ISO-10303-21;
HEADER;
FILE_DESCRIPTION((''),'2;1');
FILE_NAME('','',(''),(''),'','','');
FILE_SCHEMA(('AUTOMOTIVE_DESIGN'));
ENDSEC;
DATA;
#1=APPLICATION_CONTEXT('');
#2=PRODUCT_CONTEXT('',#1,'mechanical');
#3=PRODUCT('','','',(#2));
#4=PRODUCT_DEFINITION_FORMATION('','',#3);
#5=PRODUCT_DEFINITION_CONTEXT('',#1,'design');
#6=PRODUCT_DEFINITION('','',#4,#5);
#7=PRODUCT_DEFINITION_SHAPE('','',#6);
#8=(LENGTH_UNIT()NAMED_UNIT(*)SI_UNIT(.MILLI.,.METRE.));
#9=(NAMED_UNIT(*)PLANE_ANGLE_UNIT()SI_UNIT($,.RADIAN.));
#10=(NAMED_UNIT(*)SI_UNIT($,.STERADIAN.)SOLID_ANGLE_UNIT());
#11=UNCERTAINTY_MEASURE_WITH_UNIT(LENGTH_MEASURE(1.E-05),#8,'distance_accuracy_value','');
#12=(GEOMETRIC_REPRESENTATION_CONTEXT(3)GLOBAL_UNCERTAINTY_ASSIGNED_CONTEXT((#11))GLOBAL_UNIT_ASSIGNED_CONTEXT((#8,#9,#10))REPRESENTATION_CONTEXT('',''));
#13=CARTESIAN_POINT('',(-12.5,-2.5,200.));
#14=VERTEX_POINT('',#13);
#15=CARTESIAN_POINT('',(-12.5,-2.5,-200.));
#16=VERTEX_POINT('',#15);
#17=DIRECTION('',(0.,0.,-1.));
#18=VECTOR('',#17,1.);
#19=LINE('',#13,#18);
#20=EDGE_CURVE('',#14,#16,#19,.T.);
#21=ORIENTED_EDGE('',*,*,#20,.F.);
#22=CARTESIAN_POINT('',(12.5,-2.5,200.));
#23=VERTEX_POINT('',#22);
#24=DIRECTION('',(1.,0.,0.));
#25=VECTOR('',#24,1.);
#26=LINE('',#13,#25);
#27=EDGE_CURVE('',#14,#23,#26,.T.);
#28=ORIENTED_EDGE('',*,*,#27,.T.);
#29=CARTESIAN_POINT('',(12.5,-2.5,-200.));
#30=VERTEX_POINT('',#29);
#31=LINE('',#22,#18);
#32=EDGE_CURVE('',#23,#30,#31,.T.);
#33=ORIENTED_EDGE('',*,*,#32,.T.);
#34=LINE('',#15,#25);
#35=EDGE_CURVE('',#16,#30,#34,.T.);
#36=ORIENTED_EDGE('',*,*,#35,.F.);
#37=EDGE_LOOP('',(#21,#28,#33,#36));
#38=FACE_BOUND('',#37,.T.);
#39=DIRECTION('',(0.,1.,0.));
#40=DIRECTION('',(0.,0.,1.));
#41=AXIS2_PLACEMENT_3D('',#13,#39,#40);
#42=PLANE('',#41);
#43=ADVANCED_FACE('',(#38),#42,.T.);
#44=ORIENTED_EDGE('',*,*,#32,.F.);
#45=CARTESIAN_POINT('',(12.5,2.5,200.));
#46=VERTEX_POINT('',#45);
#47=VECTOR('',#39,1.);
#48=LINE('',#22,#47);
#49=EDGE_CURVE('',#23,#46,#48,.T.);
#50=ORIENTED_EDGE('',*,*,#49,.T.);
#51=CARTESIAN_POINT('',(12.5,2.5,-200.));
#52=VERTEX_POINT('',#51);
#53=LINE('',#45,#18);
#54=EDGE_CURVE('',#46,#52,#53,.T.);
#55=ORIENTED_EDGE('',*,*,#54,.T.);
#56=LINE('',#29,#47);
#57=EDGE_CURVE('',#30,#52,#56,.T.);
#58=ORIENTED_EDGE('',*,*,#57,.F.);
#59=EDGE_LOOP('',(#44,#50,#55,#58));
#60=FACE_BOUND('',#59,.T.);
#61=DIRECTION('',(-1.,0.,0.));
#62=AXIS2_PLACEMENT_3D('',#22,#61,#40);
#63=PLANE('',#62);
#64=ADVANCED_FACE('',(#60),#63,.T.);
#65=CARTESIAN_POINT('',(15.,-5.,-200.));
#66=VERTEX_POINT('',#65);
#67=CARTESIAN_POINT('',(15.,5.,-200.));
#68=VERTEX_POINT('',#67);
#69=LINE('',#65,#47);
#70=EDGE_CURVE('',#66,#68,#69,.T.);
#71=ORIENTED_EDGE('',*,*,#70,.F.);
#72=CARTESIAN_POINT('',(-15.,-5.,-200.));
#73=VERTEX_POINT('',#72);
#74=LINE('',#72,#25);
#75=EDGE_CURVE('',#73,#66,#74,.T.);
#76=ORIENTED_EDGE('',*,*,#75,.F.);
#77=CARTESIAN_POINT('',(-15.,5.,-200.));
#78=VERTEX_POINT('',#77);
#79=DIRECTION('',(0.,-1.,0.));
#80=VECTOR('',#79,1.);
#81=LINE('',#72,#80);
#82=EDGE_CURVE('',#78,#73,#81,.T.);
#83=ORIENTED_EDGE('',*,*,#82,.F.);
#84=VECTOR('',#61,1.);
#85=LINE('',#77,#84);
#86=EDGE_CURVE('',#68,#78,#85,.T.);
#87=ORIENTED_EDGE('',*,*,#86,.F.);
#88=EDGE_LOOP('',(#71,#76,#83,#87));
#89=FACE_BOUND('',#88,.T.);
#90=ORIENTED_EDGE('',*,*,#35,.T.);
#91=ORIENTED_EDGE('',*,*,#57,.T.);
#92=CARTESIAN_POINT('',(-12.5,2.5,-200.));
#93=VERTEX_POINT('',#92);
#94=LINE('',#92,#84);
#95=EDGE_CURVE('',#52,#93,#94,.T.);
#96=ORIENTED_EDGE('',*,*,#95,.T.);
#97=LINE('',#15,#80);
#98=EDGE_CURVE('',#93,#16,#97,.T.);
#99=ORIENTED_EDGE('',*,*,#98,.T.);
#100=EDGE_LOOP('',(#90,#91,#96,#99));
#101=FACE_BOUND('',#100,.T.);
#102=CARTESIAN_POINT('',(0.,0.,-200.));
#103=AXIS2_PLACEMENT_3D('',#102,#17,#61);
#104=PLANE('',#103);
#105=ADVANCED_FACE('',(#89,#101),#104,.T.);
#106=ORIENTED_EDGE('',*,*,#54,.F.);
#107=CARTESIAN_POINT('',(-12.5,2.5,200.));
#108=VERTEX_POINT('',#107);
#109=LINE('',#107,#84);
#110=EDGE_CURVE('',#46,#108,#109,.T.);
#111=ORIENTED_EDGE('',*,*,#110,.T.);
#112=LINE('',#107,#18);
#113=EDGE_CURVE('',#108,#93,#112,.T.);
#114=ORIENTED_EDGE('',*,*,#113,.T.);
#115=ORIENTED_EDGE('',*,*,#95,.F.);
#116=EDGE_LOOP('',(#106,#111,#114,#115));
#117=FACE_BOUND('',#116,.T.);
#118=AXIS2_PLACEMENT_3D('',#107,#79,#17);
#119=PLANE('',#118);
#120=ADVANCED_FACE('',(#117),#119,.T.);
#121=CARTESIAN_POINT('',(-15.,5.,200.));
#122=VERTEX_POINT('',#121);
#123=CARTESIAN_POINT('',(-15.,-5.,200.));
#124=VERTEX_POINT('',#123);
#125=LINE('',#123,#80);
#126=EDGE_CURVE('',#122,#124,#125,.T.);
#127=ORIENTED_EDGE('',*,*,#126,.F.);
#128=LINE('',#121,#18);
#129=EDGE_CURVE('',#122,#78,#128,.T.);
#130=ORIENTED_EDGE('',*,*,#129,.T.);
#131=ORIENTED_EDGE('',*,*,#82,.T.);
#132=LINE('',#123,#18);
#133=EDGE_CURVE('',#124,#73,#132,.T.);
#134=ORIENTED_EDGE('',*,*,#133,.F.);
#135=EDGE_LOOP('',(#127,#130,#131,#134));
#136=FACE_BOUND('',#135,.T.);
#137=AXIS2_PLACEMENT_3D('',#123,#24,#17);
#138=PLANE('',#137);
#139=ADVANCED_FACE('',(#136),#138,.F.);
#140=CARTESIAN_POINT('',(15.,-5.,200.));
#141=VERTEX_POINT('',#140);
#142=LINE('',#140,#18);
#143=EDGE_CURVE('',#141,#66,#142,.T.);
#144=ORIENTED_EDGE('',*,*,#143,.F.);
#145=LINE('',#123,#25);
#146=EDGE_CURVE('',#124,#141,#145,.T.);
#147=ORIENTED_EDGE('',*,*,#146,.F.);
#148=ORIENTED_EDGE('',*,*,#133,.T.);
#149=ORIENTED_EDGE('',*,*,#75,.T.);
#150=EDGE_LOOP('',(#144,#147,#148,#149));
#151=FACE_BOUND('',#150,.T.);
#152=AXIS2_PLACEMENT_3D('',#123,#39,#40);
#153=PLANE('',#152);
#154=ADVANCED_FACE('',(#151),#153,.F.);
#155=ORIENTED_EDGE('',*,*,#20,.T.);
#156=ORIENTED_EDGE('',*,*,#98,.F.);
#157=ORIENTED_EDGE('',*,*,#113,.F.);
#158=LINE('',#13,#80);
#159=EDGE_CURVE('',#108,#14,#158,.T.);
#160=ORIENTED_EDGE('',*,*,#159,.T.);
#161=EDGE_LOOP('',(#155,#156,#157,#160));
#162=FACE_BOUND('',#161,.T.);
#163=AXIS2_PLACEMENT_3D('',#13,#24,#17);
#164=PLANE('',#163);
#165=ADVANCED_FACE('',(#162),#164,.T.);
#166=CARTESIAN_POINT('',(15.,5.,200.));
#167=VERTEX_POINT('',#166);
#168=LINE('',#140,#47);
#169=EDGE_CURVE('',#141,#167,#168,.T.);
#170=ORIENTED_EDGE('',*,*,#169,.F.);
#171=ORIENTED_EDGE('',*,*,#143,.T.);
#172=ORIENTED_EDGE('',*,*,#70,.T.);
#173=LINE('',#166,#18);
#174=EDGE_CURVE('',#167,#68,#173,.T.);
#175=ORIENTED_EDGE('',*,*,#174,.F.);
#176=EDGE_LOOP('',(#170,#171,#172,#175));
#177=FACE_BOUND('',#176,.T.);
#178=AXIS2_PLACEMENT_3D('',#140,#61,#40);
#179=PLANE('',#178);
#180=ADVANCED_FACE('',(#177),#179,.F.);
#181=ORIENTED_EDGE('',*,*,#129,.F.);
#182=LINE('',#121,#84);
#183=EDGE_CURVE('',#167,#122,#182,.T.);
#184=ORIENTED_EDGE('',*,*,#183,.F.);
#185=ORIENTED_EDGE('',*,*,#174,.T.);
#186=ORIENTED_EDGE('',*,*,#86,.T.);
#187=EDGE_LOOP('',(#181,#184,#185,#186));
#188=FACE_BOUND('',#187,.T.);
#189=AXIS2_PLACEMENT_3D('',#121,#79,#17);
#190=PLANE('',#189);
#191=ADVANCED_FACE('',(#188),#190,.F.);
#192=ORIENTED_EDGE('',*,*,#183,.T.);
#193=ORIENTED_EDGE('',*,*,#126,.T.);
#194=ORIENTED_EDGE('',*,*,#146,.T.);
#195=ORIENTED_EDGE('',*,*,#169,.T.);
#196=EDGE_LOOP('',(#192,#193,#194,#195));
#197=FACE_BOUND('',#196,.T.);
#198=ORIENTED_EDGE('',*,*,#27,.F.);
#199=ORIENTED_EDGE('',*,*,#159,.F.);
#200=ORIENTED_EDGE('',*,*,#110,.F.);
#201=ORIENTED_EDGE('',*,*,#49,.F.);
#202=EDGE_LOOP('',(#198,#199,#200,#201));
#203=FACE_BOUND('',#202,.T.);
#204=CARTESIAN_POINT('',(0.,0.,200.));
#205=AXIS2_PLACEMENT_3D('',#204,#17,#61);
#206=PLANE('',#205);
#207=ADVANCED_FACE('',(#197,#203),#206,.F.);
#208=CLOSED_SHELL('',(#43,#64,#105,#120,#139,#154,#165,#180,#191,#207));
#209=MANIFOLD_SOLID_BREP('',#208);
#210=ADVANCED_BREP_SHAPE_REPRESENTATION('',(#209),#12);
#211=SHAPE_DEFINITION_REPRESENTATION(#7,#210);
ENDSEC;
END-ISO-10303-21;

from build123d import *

# Parameters (mm, degrees)
SKETCH1_W           = 30
SKETCH1_H           = 10
SKETCH1_W_2         = 25
SKETCH1_H_2         = 5
BOSS_EXTRUDE1_DEPTH = 200


with BuildPart() as part:
    # Sketch1 → Boss-Extrude1 (new, symmetric)
    with BuildSketch(Plane.XY):
        Rectangle(SKETCH1_W, SKETCH1_H)
        Rectangle(SKETCH1_W_2, SKETCH1_H_2, mode=Mode.SUBTRACT)
    extrude(amount=BOSS_EXTRUDE1_DEPTH, both=True)


solid = part.part
